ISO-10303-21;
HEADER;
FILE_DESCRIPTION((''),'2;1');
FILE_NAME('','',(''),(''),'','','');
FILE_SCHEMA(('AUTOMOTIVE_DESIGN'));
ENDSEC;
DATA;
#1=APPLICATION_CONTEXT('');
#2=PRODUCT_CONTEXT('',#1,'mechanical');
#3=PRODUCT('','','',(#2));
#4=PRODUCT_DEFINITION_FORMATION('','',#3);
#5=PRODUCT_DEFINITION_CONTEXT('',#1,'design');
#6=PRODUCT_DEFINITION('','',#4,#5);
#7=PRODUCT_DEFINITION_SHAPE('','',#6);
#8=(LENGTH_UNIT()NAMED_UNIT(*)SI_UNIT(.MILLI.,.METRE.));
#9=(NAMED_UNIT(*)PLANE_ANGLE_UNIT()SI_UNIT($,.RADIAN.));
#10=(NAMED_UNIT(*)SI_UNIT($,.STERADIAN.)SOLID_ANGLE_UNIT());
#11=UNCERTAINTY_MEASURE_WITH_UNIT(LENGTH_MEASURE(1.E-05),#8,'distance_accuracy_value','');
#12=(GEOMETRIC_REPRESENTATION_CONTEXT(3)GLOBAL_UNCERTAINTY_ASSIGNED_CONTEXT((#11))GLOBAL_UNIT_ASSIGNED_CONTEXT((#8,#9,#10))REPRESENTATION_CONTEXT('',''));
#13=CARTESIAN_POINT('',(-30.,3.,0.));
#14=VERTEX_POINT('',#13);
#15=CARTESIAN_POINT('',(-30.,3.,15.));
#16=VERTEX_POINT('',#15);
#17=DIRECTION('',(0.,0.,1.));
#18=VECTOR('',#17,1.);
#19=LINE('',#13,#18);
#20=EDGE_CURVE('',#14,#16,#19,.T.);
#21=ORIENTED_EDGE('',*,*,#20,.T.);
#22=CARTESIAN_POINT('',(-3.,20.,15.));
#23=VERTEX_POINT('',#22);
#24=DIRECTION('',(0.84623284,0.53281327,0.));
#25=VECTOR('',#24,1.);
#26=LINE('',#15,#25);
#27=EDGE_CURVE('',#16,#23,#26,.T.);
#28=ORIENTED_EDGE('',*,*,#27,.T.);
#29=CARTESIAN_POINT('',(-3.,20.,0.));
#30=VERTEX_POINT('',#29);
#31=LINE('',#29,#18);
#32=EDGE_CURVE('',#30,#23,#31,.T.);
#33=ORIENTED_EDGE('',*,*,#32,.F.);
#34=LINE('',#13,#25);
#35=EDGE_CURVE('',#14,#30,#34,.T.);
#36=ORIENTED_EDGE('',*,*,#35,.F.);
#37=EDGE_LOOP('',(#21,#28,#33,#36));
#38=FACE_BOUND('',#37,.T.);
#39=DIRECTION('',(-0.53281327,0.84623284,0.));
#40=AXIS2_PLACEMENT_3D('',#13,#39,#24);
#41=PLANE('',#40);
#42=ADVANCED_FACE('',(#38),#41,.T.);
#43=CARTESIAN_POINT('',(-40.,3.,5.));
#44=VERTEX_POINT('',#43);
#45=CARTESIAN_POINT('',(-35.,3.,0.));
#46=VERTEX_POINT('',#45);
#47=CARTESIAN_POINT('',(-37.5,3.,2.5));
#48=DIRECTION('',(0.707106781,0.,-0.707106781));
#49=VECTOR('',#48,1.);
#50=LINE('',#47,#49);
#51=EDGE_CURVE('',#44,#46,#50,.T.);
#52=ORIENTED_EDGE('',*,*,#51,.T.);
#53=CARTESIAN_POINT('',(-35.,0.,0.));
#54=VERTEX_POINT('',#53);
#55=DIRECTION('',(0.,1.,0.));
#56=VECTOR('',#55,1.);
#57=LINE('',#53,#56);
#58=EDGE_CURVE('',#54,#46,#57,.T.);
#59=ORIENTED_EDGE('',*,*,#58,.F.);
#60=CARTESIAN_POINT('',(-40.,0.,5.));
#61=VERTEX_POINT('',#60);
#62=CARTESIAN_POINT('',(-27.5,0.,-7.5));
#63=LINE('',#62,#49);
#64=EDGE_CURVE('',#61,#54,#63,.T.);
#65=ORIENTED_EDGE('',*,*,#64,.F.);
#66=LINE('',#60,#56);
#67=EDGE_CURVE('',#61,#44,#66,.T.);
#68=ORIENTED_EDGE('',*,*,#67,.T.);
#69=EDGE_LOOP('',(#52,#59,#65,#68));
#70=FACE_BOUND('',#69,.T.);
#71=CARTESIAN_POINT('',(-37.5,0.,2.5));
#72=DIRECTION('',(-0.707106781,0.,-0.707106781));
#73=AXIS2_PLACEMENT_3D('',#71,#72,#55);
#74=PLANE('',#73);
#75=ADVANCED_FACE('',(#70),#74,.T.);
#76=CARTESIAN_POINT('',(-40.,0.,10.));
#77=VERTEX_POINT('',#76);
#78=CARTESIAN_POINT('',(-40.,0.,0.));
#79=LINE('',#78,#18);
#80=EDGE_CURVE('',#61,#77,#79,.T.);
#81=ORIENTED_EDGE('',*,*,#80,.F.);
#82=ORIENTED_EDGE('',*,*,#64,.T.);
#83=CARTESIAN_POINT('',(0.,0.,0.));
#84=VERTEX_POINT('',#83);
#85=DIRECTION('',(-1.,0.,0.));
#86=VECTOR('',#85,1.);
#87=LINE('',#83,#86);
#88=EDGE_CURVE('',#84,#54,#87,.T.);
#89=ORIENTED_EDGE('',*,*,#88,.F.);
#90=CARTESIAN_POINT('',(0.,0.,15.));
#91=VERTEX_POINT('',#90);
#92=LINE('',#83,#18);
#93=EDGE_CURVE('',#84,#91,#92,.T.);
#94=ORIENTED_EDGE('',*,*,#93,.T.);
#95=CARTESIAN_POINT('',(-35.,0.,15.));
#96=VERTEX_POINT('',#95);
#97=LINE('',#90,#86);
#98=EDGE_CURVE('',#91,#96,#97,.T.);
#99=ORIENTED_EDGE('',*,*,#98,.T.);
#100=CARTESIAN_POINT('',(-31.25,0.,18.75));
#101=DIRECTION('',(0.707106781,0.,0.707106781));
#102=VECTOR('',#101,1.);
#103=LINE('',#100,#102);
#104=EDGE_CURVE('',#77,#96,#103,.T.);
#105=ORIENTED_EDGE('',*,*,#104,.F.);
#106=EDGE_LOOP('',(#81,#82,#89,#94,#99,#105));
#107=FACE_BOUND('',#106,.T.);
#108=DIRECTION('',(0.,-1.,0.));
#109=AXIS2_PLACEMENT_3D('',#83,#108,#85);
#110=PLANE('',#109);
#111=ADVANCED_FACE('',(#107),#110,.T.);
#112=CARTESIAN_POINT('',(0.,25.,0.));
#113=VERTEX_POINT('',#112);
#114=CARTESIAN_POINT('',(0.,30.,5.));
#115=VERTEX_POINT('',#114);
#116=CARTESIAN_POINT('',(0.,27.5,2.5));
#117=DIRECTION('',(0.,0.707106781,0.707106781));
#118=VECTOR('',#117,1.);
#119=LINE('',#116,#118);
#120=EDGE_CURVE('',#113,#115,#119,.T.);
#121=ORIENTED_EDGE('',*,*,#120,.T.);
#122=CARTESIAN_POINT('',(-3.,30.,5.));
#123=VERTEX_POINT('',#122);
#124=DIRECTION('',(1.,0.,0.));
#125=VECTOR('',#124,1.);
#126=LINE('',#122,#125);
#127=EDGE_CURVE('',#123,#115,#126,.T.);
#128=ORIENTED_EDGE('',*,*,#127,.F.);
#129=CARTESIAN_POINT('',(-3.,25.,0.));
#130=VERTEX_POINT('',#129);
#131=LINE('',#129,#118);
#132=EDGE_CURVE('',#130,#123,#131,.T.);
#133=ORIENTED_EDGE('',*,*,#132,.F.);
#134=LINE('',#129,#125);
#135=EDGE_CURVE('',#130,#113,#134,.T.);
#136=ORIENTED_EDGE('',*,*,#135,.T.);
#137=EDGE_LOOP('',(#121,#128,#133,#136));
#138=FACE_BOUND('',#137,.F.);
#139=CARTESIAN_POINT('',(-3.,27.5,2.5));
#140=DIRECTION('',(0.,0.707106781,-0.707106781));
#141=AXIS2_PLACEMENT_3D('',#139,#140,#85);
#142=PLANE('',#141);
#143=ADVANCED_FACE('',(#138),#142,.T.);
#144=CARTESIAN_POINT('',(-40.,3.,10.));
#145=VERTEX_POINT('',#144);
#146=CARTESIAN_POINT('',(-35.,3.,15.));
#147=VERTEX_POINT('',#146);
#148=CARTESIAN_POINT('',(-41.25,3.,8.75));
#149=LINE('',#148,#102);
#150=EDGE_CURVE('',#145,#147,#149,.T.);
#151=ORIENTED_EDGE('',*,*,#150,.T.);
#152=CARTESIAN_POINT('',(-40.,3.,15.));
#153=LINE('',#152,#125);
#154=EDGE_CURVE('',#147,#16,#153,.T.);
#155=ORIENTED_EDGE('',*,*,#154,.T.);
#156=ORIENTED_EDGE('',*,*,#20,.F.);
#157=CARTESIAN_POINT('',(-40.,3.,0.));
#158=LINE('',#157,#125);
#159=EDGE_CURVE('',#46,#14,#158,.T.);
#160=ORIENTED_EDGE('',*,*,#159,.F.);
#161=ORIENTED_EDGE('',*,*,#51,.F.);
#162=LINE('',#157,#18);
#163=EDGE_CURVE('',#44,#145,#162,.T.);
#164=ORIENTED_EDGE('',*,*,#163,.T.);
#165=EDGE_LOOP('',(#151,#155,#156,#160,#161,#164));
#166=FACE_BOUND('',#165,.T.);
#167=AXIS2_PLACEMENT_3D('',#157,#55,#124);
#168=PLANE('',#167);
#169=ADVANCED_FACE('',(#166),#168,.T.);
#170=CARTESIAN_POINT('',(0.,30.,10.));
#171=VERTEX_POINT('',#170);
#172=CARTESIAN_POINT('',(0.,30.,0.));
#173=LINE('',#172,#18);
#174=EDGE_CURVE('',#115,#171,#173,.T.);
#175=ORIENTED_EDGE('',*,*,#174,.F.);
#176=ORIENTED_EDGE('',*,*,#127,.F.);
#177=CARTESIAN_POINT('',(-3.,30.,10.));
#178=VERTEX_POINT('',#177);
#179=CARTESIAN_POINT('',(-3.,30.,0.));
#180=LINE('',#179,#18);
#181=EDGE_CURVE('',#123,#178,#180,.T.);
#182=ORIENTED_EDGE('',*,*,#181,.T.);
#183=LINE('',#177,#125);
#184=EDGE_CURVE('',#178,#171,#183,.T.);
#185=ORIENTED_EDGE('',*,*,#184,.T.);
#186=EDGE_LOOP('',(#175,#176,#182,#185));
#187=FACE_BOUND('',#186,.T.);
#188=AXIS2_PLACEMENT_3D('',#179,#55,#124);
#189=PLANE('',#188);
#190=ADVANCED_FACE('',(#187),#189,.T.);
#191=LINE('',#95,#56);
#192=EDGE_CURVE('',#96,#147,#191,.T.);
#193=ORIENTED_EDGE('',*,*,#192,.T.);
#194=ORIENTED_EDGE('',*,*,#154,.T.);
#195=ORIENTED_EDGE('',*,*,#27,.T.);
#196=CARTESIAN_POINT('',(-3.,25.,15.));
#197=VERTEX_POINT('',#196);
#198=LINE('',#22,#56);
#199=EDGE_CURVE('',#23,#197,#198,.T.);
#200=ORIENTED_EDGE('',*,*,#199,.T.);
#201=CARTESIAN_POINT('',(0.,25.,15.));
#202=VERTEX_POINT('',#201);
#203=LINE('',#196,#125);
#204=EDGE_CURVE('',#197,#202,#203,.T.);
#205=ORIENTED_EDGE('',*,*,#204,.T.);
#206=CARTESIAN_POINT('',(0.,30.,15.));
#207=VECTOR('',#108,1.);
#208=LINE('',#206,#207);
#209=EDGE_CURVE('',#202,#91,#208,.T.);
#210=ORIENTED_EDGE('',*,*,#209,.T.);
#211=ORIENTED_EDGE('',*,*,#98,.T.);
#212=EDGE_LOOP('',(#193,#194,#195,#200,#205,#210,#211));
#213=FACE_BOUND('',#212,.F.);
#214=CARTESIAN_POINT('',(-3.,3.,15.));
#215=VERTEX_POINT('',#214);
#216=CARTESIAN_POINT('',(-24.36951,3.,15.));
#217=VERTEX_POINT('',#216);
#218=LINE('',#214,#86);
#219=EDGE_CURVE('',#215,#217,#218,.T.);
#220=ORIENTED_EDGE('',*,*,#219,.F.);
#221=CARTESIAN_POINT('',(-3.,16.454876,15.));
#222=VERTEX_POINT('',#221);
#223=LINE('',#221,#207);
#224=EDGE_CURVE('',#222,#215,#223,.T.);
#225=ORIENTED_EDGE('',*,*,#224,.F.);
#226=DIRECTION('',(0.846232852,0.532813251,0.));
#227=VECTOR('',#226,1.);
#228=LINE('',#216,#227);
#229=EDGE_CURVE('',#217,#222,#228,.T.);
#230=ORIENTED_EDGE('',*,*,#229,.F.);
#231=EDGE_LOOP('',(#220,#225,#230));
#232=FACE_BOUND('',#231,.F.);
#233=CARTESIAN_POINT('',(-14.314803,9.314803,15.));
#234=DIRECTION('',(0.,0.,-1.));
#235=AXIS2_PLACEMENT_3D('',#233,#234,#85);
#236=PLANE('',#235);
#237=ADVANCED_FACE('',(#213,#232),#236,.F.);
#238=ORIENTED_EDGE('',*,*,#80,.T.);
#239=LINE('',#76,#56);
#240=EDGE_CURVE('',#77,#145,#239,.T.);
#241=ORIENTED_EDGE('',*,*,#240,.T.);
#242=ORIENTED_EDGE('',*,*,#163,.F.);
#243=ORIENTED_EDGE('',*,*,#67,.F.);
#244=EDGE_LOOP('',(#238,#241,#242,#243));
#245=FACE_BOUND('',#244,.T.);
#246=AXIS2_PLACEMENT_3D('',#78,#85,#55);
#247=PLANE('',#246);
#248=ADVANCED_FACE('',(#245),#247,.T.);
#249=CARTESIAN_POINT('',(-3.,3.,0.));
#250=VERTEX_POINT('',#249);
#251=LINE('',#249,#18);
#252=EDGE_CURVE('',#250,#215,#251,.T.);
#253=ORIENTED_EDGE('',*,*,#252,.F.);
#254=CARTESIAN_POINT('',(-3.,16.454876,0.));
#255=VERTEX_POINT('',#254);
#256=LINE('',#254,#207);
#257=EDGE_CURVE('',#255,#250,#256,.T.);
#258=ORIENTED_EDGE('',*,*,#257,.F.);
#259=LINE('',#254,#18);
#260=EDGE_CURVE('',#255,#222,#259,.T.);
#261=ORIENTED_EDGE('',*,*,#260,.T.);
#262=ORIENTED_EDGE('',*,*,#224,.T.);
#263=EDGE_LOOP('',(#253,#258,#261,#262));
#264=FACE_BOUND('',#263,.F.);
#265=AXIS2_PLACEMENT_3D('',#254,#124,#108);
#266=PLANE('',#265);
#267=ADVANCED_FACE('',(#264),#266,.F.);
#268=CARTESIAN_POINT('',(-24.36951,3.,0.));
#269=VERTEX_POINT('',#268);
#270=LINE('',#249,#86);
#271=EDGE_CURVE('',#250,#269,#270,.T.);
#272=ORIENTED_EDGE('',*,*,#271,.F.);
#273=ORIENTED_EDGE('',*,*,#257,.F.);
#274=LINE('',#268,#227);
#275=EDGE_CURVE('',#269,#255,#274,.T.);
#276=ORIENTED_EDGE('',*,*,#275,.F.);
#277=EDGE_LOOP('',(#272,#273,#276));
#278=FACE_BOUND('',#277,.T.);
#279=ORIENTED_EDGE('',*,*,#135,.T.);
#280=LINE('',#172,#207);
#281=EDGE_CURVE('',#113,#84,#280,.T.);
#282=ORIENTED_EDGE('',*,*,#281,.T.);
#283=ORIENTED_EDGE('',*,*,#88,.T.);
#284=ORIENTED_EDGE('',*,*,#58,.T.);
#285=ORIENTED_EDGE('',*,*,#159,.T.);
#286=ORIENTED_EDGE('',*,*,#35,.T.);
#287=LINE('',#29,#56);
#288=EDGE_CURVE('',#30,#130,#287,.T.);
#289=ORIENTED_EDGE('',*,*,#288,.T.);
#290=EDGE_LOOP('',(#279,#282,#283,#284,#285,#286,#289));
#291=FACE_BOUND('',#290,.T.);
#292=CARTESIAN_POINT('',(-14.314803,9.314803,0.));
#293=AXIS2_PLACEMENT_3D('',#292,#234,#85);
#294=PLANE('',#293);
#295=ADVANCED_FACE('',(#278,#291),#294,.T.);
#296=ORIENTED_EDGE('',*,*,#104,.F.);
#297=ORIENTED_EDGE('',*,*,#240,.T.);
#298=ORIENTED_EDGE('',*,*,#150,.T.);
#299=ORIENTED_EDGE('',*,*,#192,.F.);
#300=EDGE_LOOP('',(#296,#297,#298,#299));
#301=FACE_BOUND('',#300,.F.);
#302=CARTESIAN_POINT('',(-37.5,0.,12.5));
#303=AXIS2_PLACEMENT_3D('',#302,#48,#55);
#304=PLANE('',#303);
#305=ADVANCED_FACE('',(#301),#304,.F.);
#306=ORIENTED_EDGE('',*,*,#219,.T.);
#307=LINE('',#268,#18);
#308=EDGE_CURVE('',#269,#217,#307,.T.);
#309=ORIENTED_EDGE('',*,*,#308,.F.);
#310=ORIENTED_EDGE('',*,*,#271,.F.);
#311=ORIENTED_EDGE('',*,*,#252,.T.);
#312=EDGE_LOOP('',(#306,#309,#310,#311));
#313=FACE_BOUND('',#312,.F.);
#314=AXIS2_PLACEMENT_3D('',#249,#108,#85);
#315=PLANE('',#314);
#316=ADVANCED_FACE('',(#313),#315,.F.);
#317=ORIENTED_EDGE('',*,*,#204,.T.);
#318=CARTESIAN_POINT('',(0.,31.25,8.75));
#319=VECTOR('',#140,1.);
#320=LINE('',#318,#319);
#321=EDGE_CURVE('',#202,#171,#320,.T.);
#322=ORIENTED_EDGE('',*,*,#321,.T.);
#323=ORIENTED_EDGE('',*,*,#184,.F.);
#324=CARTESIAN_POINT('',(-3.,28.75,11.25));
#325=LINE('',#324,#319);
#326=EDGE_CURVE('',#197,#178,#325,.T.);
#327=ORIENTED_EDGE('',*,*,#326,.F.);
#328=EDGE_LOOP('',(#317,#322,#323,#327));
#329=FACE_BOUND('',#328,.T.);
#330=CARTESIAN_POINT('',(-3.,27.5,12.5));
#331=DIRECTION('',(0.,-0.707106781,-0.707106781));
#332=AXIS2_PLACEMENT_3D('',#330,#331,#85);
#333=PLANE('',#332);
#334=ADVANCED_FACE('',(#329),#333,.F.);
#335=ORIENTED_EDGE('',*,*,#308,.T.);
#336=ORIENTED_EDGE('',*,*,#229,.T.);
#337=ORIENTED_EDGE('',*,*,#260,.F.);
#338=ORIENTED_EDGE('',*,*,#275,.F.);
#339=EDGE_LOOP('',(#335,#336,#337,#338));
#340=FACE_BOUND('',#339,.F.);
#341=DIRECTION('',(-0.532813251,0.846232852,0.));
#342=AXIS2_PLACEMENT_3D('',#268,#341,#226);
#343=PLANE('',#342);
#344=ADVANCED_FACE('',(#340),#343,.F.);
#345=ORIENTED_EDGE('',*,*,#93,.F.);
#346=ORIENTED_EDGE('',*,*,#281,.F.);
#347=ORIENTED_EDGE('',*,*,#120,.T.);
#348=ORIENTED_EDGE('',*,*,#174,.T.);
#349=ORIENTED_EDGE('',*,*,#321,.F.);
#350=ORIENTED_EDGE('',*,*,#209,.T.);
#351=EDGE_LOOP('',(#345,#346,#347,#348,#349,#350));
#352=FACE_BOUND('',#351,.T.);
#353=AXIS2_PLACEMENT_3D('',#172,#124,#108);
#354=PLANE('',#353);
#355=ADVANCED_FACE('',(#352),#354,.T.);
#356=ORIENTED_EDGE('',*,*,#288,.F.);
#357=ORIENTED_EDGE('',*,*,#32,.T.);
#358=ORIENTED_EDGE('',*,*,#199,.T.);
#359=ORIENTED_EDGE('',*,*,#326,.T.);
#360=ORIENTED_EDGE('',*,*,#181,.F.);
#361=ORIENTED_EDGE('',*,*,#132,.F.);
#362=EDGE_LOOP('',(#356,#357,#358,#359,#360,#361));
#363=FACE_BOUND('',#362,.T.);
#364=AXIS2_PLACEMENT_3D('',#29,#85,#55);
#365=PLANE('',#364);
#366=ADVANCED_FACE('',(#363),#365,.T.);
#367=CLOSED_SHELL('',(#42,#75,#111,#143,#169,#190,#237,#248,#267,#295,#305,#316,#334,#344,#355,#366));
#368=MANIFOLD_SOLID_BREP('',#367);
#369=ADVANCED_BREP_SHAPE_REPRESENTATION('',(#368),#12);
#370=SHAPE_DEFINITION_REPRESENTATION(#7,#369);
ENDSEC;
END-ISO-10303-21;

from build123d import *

# Parameters (mm, degrees)
PAD_DEPTH       = 15
CHAMFER_SIZE    = 5
CHAMFER001_SIZE = 5


with BuildPart() as part:
    # Sketch → Pad (new body)
    with BuildSketch(Plane.XY):
        Polygon((0, 0), (-40, 0), (-40, 3), (-30, 3), (-3, 20), (-3, 30), (0, 30), align=None)
        Polygon((-3, 3), (-24.36951, 3), (-3, 16.454876), align=None, mode=Mode.SUBTRACT)
    extrude(amount=PAD_DEPTH)

    # Chamfer
    chamfer_edges = [part.edges().sort_by_distance(p)[0] for p in [
        (-40, 1.5, 0),
        (-40, 1.5, 15),
    ]]
    chamfer(chamfer_edges, length=CHAMFER_SIZE)

    # Chamfer001
    chamfer001_edges = [part.edges().sort_by_distance(p)[0] for p in [
        (-1.5, 30, 0),
        (-1.5, 30, 15),
    ]]
    chamfer(chamfer001_edges, length=CHAMFER001_SIZE)


solid = part.part
